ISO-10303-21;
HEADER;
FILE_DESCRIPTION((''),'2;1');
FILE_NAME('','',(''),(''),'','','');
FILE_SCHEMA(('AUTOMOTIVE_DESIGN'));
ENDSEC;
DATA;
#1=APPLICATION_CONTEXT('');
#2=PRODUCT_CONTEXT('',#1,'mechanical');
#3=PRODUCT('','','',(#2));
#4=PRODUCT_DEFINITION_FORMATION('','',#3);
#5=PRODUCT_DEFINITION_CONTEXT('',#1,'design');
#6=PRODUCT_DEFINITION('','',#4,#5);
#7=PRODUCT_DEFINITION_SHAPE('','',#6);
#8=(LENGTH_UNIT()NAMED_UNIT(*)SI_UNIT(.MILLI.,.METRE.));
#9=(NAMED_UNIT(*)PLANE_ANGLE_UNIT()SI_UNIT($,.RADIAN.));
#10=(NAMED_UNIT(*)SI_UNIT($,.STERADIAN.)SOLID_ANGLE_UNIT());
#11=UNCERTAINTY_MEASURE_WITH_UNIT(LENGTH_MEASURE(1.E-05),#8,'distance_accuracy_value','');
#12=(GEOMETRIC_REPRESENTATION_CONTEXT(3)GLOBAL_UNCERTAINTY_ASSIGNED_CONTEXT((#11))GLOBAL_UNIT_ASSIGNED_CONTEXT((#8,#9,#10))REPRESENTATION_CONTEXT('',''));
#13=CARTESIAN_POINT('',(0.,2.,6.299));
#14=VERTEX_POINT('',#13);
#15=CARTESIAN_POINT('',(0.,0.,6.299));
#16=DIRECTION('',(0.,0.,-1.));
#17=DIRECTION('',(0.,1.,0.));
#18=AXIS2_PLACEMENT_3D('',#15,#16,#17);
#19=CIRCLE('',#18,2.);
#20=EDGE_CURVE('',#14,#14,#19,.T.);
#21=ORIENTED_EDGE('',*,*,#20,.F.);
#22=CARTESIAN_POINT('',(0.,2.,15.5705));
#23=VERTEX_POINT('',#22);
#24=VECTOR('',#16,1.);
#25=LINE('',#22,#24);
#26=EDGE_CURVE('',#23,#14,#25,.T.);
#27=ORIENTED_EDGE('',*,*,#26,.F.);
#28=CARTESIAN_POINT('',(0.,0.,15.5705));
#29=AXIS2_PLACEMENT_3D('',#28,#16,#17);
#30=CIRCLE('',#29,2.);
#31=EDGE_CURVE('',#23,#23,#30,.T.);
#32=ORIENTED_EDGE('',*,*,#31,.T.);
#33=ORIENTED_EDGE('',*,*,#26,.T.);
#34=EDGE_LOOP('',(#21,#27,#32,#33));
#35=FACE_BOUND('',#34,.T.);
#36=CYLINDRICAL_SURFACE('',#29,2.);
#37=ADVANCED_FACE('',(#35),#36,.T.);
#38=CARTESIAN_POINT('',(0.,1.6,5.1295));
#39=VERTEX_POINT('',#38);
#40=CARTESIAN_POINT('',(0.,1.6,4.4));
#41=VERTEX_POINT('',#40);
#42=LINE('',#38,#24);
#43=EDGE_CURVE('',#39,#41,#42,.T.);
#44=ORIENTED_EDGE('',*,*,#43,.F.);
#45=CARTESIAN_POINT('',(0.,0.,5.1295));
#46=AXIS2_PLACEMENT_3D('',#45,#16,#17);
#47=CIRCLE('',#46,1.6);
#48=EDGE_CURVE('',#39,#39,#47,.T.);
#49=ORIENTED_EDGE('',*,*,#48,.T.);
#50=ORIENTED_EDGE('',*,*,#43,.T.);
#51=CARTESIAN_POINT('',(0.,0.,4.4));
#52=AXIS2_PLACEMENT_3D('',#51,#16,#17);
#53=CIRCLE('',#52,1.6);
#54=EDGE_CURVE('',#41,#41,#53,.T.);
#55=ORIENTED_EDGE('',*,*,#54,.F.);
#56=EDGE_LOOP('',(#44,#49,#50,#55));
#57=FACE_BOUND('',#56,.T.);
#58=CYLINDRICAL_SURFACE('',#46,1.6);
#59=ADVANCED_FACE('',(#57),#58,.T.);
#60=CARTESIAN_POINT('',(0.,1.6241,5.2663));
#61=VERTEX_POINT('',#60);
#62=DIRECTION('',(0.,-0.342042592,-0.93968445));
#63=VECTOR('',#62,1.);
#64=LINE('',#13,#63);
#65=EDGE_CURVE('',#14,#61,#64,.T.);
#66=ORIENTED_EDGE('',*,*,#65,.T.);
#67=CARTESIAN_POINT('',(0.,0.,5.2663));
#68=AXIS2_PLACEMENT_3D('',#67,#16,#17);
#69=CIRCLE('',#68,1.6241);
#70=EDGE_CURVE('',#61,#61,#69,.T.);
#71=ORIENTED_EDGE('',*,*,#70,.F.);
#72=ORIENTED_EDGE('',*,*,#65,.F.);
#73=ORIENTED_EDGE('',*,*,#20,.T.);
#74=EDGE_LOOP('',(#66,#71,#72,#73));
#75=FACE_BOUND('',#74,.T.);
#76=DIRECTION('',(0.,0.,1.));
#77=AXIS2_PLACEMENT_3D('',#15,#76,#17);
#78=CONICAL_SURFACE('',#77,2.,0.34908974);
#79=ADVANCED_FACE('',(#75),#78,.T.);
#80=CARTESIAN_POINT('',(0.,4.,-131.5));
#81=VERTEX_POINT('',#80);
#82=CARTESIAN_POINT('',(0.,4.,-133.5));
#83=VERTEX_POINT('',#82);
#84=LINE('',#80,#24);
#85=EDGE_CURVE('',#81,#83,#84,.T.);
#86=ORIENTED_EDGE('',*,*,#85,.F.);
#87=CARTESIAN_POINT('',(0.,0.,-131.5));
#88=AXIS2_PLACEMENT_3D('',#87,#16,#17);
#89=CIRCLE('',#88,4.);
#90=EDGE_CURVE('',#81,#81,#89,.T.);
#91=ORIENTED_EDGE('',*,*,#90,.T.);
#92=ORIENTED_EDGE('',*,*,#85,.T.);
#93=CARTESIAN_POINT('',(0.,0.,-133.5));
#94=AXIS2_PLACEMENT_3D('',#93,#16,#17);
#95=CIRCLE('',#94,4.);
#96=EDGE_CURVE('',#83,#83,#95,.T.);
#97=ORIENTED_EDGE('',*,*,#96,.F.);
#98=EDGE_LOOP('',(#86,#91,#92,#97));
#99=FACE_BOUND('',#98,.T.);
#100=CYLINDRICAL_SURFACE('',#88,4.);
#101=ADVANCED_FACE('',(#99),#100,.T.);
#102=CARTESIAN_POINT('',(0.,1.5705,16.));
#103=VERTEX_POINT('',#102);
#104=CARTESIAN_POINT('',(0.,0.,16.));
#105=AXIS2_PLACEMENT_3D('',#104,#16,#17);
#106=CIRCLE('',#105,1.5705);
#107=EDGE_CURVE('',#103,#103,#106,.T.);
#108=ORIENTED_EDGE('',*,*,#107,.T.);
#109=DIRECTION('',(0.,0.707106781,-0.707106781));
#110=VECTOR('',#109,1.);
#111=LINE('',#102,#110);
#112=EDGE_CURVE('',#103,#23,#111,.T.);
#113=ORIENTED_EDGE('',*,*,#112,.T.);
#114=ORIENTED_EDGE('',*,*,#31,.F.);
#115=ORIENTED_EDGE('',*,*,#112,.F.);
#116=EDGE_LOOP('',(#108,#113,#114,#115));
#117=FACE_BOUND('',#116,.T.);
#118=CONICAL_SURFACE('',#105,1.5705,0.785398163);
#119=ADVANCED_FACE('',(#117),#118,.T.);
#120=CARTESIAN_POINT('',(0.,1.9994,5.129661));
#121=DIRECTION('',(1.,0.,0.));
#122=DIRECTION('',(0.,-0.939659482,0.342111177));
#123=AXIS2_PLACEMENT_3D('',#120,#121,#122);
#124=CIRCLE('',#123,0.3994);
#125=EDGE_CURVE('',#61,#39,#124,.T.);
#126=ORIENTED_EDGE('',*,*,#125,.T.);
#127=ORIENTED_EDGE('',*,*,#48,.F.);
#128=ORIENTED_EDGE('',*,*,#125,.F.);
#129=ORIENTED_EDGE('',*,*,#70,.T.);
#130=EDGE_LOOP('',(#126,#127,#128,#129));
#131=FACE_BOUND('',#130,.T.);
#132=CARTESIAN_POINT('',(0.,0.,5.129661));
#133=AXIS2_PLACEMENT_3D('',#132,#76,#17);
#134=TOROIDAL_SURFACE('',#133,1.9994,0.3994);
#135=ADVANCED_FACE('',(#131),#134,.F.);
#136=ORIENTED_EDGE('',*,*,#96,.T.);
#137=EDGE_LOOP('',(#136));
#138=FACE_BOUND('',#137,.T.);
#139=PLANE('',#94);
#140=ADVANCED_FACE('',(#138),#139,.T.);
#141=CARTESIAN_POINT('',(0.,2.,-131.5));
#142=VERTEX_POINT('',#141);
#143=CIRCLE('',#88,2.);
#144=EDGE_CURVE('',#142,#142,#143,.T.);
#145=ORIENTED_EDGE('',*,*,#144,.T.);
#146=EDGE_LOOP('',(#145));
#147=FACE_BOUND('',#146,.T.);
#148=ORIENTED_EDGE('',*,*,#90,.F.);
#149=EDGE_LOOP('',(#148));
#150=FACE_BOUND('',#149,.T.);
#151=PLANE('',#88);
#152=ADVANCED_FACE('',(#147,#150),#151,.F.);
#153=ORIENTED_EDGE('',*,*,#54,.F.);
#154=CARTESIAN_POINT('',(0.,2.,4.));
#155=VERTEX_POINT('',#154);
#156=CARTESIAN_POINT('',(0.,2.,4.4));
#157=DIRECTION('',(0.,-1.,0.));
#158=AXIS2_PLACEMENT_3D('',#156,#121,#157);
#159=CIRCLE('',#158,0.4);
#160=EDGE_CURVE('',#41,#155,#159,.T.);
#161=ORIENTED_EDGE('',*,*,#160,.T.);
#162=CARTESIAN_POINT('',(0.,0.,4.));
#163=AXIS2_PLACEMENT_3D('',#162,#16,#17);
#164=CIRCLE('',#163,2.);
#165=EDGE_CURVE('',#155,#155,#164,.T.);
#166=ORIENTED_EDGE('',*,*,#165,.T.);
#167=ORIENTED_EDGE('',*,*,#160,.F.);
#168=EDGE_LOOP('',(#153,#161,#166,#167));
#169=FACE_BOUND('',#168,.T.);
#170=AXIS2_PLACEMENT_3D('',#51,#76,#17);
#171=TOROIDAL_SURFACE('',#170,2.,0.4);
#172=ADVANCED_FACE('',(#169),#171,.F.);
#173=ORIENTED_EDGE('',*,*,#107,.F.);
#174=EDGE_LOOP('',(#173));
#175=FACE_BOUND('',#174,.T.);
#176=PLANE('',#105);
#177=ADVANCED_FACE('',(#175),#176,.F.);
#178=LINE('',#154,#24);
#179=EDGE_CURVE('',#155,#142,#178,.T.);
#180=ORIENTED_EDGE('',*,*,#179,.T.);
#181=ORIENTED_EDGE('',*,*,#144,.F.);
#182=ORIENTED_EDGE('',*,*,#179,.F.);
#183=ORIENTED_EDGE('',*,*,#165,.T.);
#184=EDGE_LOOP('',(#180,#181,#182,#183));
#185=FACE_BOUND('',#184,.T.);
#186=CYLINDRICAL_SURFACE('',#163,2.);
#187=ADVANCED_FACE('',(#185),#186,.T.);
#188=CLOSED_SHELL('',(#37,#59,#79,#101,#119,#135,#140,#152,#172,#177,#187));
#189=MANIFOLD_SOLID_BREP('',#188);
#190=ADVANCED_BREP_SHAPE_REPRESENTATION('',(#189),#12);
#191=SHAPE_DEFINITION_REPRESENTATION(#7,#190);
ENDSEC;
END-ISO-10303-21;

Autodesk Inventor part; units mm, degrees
sketch "Sketch_2" plane through (0, 0, 0) normal (1, 0, 0) x (0, 1, 0)
  line L0 (0, -133.5) -> (0, 4)
  line L1 (0, 4) -> (2, 4)
  line L2 (2, 4) -> (2, -131.5)
  line L3 (2, -131.5) -> (4, -131.5)
  line L4 (4, -131.5) -> (4, -133.5)
  line L5 (4, -133.5) -> (0, -133.5)
  line L6 (0, -133.5) -> (0, 4)
revolve "Revolution1" add sketch "Sketch_2" angle 360 about axis through (0, 0, -133.5) along (0, 0, -1)
sketch "Sketch_6" plane through (0, 0, 0) normal (1, 0, 0) x (0, 1, 0)
  line L0 (0, 3) -> (0, 16)
  line L1 (0, 16) -> (1.5705, 16)
  line L2 (1.5705, 16) -> (2, 15.5705)
  line L3 (2, 15.5705) -> (2, 6.299)
  line L4 (2, 6.299) -> (1.6241, 5.2663)
  arc A0 (1.6241, 5.2663) -> (1.6, 5.1295) centre (2, 5.1295) ccw
  line L5 (1.6, 5.1295) -> (1.6, 4.4)
  arc A1 (1.6, 4.4) -> (2, 4) centre (2, 4.4) ccw
  line L6 (2, 4) -> (2, 3)
  line L7 (2, 3) -> (0, 3)
  line L8 (0, 3) -> (0, 16)
revolve "Revolution2" add sketch "Sketch_6" angle 360 about axis through (0, 0, 3) along (0, 0, -1)
thread "Thread1" size "M4x0.7" class "6g" standard "ISO Metric profile" full length
ref_plane "FDT_KSAUFSATZ_XY" through (0, 0, 8.2) normal (0, 0, 1) x (-1, 0, 0)
ref_plane "FDT_KSAUFSATZ_YZ" through (0, 0, 8.2) normal (-1, 0, 0) x (0, -1, 0)
ref_plane "FDT_KSAUFSATZ_ZX" through (0, 0, 8.2) normal (0, -1, 0) x (0, 0, 1)
ref_plane "FDT_NUT_XY" through (0, 0, 8.2) normal (0, 0, 1) x (-1, 0, 0)
ref_plane "FDT_NUT_YZ" through (0, 0, 8.2) normal (-1, 0, 0) x (0, -1, 0)
ref_plane "FDT_NUT_ZX" through (0, 0, 8.2) normal (0, -1, 0) x (0, 0, 1)
ref_plane "KS_XY" through (0, 0, 0) normal (0, 0, -1) x (1, 0, 0)
ref_plane "KS_YZ" through (0, 0, 0) normal (1, 0, 0) x (0, -1, 0)
ref_plane "KS_ZX" through (0, 0, 0) normal (0, -1, 0) x (0, 0, -1)
ref_plane "NUT1_XY" through (0, 0, 12) normal (0, 0, 1) x (1, 0, 0)
ref_plane "NUT1_YZ" through (0, 0, 12) normal (1, 0, 0) x (0, 1, 0)
ref_plane "NUT1_ZX" through (0, 0, 12) normal (0, 1, 0) x (0, 0, 1)
properties part number "19182 DSNU-8-100-P---(A---00--0-KS)"
